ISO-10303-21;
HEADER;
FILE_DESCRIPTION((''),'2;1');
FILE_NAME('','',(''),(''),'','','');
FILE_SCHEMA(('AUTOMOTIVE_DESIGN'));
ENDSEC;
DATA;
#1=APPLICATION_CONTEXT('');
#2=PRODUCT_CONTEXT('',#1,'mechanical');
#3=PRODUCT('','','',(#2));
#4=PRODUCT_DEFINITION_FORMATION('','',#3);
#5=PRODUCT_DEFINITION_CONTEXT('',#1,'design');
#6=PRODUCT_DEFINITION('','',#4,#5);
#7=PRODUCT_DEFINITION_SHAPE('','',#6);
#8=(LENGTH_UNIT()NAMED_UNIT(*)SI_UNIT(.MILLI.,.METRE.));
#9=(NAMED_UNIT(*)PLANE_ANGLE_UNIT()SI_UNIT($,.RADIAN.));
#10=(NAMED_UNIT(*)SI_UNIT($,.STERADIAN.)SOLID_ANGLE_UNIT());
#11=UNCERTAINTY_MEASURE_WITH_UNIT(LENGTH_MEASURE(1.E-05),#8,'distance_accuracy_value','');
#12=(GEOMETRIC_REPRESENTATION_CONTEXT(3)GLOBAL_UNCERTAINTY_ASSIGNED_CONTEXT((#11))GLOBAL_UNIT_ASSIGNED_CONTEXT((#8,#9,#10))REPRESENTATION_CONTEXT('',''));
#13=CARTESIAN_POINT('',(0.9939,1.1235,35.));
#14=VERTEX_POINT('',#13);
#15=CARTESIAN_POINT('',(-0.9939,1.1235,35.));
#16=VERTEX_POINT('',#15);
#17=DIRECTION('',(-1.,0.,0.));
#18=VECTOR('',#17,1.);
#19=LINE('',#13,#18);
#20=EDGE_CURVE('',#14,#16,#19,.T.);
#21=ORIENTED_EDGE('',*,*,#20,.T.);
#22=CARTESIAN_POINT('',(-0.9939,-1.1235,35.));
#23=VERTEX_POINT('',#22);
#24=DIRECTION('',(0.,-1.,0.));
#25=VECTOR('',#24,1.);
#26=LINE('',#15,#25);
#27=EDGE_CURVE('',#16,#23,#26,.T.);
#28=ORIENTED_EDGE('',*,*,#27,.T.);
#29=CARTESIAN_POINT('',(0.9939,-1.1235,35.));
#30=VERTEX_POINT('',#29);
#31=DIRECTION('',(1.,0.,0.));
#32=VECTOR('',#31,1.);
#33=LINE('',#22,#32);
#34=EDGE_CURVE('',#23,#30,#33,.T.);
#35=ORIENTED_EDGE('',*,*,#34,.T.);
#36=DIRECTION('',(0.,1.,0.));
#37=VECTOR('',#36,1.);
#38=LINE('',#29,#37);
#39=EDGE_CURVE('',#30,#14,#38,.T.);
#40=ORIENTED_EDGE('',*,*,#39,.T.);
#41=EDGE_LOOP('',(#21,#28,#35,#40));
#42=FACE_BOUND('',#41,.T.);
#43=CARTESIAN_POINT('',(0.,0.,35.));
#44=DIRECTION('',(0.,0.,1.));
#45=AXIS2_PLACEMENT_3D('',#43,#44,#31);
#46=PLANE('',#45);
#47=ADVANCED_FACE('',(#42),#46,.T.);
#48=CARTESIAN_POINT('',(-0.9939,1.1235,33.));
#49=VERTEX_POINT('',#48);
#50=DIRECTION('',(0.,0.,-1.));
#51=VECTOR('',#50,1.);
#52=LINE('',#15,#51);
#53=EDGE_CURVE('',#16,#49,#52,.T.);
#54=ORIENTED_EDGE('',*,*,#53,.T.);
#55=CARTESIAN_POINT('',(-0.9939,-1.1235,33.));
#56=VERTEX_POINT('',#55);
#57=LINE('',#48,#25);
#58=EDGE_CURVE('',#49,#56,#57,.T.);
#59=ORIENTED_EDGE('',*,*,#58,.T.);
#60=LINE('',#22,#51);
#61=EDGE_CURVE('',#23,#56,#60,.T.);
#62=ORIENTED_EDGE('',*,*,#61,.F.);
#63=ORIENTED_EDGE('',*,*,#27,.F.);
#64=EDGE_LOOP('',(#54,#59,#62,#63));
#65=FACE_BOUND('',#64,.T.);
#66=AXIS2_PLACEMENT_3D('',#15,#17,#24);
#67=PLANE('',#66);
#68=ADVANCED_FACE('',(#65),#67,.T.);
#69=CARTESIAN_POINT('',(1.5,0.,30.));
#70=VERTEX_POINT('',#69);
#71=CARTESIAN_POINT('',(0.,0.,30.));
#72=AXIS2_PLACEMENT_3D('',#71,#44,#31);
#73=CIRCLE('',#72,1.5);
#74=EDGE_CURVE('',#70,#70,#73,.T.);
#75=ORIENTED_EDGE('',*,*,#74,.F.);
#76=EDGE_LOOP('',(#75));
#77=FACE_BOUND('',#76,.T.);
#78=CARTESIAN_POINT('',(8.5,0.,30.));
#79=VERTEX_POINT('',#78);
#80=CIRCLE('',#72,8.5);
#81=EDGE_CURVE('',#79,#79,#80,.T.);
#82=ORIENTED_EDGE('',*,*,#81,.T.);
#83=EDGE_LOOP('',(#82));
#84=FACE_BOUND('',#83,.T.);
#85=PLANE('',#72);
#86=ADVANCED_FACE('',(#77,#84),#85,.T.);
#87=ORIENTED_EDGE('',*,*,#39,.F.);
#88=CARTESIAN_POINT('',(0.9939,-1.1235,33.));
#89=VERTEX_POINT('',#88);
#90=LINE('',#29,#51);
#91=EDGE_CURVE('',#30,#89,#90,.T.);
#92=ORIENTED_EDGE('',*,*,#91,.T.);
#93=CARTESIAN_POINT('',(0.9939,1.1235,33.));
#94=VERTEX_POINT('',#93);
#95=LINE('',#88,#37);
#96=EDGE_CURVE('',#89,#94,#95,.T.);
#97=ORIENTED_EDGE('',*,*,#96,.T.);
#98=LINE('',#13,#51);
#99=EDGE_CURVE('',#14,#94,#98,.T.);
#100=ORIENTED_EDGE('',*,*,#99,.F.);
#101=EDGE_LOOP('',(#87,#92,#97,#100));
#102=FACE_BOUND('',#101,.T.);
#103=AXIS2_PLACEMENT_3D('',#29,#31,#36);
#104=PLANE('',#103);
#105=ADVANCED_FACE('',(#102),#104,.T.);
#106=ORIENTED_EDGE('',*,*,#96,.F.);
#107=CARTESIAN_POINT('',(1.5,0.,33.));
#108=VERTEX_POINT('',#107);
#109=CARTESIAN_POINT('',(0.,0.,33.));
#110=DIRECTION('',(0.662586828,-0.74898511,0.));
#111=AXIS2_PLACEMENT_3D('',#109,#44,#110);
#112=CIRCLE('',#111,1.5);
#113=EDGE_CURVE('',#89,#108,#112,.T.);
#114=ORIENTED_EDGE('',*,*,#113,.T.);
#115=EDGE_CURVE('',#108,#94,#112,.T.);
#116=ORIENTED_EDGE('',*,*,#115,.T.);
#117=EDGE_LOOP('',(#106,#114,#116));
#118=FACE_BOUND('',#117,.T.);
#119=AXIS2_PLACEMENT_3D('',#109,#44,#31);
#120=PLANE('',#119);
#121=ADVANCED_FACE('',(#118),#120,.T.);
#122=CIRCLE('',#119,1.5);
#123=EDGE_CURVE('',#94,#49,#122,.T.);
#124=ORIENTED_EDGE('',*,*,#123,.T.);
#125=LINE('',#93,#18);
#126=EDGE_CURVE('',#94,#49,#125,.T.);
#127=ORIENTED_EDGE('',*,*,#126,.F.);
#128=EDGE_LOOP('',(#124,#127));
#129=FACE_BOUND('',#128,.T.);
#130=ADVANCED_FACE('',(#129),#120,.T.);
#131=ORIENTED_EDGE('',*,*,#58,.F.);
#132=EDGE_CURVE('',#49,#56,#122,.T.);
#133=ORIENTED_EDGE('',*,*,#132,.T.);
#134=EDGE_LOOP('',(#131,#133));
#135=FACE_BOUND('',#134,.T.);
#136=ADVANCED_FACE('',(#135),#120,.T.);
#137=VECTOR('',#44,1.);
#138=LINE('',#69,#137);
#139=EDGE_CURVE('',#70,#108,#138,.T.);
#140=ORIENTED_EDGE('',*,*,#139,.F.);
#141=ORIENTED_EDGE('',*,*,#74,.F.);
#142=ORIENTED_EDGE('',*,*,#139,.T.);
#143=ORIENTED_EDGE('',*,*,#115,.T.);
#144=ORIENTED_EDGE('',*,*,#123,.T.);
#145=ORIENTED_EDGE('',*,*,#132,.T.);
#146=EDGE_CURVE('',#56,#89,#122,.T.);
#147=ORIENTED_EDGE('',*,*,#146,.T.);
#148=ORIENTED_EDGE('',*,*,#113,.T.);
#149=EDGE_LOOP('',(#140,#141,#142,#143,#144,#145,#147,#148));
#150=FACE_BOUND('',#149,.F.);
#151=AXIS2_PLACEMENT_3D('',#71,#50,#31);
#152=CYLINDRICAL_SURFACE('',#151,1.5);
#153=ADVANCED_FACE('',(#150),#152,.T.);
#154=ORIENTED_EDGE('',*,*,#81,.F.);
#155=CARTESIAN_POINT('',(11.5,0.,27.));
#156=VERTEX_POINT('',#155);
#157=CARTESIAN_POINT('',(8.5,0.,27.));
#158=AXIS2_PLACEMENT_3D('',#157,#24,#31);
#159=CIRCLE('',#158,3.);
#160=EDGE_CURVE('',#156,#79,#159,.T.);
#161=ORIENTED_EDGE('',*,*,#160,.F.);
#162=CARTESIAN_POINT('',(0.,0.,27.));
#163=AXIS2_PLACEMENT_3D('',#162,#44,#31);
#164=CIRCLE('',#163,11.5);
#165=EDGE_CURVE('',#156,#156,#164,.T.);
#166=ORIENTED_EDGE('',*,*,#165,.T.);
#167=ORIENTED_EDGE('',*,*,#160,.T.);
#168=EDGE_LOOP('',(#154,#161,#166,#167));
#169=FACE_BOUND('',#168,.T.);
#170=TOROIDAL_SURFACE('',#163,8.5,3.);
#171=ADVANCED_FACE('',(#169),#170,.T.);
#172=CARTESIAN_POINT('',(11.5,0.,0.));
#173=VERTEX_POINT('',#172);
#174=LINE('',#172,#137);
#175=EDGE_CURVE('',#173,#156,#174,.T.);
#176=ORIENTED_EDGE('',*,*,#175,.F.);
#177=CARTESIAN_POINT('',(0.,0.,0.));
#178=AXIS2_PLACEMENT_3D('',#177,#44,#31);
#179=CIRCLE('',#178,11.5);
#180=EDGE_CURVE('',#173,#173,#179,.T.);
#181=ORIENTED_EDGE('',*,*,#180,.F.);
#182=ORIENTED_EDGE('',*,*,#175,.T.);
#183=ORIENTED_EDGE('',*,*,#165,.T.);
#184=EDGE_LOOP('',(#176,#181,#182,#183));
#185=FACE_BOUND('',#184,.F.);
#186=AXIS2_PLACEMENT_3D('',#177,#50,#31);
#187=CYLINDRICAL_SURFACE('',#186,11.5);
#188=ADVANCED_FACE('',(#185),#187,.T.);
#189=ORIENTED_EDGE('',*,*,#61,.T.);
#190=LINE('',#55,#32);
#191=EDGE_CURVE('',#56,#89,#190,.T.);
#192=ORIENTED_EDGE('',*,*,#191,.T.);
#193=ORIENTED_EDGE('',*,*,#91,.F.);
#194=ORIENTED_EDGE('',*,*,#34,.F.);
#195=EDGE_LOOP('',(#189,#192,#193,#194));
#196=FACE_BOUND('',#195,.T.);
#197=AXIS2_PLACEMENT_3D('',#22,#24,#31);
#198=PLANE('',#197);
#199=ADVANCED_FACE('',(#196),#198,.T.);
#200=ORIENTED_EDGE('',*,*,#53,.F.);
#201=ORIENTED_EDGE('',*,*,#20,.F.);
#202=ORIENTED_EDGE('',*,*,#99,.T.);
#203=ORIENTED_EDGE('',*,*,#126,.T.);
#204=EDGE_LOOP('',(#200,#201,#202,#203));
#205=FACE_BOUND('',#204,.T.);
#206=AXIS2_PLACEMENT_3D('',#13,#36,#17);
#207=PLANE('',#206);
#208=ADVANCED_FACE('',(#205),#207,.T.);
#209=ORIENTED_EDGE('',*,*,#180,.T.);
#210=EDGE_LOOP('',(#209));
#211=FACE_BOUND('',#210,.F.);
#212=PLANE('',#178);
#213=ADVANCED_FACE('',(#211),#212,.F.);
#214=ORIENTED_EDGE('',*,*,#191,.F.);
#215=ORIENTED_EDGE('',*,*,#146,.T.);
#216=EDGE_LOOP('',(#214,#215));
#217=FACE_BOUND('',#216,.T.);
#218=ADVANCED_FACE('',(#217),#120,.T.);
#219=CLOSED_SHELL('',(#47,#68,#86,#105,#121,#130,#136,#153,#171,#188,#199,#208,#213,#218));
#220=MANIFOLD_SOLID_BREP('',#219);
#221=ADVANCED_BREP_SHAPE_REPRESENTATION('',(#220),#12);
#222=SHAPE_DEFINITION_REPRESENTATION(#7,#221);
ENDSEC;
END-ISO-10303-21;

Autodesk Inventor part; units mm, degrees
ref_plane "YZ Plane" through (0, 0, 0) normal (1, 0, 0) x (0, 1, 0)
ref_plane "XZ Plane" through (0, 0, 0) normal (0, 1, 0) x (-1, 0, 0)
ref_plane "XY Plane" through (0, 0, 0) normal (0, 0, 1) x (1, 0, 0)
sketch "Sketch1" plane through (0, 0, 0) normal (0, 0, 1) x (1, 0, 0)
  circle A0 centre (0, 0) radius 11.5
  dimension "d0" = 23
extrude "Extrusion1" add sketch "Sketch1" along normal blind 30
fillet "Fillet1" radius 3 1 edges at (-11.5, 0, 30)
sketch "Sketch2" plane through (0, 0, 30) normal (0, 0, 1) x (1, 0, 0)
  circle A0 centre (0, 0) radius 1.5
  dimension "d4" = 3
extrude "Extrusion2" add sketch "Sketch2" along normal blind 5
sketch "Sketch3" plane through (0, 0, 35) normal (0, 0, 1) x (1, 0, 0)
  circle A0 centre (0, 0) radius 1.5 projected
  line L0 (-0.9939, -1.1235) -> (0.9939, -1.1235)
  line L1 (0.9939, -1.1235) -> (0.9939, 1.1235)
  line L2 (0.9939, 1.1235) -> (-0.9939, 1.1235)
  line L3 (-0.9939, 1.1235) -> (-0.9939, -1.1235)
  line L4 (-0.9939, -1.1235) -> (0.9939, 1.1235) construction
  line L5 (0.9939, -1.1235) -> (-0.9939, 1.1235) construction
extrude "Extrusion3" cut sketch "Sketch3" against normal blind 2 contours A0 L1 | L2 A0 | A0 L0 | L3 A0
properties part number "Lifting Pad Motor Redo"
